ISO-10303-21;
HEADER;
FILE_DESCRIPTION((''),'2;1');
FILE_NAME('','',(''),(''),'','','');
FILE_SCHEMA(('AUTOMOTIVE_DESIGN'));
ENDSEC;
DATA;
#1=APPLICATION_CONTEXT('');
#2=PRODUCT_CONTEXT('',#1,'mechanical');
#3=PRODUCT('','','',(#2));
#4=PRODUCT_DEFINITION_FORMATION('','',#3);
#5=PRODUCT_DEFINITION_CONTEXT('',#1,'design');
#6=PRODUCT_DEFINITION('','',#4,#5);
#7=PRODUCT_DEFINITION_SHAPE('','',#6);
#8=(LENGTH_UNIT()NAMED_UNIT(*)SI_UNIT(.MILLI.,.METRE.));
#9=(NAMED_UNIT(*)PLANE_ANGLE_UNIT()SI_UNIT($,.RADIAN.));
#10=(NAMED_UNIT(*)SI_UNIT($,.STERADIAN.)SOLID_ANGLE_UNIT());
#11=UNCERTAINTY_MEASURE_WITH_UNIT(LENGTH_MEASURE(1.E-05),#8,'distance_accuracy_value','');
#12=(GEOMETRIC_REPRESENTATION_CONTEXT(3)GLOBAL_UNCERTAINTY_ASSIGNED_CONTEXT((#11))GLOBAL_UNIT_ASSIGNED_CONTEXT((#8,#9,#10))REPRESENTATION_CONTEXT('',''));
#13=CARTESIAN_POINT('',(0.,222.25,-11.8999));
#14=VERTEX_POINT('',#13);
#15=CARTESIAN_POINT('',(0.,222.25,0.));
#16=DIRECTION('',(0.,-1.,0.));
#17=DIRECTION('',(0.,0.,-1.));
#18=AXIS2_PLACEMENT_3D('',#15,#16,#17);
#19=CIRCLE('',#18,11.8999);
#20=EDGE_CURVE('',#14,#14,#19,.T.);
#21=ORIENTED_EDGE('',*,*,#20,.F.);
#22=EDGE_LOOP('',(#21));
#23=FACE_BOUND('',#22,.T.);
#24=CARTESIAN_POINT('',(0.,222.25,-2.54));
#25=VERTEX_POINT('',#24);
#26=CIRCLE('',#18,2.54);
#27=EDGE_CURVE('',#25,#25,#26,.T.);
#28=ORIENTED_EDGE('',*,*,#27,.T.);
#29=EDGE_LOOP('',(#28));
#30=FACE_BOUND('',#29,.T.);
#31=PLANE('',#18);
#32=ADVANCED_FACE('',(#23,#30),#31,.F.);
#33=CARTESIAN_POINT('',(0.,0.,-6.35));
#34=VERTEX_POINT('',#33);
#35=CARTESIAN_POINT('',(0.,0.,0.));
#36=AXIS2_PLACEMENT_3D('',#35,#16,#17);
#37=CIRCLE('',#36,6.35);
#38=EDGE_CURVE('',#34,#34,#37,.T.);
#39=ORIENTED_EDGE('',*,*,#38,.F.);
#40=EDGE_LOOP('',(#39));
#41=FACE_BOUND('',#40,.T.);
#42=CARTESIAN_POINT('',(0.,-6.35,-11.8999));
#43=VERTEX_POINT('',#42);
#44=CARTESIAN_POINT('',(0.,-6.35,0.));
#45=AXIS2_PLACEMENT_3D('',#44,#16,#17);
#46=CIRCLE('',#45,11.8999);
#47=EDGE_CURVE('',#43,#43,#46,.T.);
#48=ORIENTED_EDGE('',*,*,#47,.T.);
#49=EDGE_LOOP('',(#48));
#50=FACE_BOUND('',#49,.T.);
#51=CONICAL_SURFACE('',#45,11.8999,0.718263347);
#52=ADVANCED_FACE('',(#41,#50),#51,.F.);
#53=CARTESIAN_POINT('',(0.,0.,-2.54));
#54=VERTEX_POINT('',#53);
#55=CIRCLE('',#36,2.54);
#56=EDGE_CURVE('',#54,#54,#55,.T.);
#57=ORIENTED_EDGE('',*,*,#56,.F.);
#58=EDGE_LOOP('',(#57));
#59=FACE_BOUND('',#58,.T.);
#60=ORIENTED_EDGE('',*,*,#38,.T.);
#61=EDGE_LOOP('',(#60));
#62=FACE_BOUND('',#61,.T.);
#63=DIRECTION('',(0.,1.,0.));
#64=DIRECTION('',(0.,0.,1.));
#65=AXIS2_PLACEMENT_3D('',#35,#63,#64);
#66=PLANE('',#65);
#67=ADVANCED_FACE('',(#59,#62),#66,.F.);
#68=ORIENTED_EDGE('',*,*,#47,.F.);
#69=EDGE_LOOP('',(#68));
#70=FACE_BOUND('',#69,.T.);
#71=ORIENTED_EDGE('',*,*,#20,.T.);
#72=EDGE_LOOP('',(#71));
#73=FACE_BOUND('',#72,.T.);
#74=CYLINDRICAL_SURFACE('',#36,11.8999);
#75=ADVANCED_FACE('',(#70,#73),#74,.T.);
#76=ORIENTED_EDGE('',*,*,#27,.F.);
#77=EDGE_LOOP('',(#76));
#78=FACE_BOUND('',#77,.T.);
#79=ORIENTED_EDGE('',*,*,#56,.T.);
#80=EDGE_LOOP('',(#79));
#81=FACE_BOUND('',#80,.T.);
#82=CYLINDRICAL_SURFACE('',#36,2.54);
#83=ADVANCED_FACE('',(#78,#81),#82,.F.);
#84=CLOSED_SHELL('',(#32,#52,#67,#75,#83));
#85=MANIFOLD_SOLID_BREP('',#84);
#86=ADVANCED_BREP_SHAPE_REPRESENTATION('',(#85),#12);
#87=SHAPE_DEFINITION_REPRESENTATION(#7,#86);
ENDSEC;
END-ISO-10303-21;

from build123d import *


with BuildPart() as part:
    # Sketch1 → Revolve2 (revolve)
    with BuildSketch(Plane(origin=(0, 0, 0), x_dir=(0, 0, -1), z_dir=(1, 0, 0)), mode=Mode.PRIVATE) as revolve2_sk:
        Polygon((-2.54, 0), (-2.54, 222.25), (-11.8999, 222.25), (-11.8999, -6.35), (-6.35, 0), align=None)
    revolve(revolve2_sk.sketch.rotate(Axis((0, 0, 0), (0, 1, 0)), 180), axis=Axis((0, 0, 0), (0, 1, 0)))


solid = part.part
